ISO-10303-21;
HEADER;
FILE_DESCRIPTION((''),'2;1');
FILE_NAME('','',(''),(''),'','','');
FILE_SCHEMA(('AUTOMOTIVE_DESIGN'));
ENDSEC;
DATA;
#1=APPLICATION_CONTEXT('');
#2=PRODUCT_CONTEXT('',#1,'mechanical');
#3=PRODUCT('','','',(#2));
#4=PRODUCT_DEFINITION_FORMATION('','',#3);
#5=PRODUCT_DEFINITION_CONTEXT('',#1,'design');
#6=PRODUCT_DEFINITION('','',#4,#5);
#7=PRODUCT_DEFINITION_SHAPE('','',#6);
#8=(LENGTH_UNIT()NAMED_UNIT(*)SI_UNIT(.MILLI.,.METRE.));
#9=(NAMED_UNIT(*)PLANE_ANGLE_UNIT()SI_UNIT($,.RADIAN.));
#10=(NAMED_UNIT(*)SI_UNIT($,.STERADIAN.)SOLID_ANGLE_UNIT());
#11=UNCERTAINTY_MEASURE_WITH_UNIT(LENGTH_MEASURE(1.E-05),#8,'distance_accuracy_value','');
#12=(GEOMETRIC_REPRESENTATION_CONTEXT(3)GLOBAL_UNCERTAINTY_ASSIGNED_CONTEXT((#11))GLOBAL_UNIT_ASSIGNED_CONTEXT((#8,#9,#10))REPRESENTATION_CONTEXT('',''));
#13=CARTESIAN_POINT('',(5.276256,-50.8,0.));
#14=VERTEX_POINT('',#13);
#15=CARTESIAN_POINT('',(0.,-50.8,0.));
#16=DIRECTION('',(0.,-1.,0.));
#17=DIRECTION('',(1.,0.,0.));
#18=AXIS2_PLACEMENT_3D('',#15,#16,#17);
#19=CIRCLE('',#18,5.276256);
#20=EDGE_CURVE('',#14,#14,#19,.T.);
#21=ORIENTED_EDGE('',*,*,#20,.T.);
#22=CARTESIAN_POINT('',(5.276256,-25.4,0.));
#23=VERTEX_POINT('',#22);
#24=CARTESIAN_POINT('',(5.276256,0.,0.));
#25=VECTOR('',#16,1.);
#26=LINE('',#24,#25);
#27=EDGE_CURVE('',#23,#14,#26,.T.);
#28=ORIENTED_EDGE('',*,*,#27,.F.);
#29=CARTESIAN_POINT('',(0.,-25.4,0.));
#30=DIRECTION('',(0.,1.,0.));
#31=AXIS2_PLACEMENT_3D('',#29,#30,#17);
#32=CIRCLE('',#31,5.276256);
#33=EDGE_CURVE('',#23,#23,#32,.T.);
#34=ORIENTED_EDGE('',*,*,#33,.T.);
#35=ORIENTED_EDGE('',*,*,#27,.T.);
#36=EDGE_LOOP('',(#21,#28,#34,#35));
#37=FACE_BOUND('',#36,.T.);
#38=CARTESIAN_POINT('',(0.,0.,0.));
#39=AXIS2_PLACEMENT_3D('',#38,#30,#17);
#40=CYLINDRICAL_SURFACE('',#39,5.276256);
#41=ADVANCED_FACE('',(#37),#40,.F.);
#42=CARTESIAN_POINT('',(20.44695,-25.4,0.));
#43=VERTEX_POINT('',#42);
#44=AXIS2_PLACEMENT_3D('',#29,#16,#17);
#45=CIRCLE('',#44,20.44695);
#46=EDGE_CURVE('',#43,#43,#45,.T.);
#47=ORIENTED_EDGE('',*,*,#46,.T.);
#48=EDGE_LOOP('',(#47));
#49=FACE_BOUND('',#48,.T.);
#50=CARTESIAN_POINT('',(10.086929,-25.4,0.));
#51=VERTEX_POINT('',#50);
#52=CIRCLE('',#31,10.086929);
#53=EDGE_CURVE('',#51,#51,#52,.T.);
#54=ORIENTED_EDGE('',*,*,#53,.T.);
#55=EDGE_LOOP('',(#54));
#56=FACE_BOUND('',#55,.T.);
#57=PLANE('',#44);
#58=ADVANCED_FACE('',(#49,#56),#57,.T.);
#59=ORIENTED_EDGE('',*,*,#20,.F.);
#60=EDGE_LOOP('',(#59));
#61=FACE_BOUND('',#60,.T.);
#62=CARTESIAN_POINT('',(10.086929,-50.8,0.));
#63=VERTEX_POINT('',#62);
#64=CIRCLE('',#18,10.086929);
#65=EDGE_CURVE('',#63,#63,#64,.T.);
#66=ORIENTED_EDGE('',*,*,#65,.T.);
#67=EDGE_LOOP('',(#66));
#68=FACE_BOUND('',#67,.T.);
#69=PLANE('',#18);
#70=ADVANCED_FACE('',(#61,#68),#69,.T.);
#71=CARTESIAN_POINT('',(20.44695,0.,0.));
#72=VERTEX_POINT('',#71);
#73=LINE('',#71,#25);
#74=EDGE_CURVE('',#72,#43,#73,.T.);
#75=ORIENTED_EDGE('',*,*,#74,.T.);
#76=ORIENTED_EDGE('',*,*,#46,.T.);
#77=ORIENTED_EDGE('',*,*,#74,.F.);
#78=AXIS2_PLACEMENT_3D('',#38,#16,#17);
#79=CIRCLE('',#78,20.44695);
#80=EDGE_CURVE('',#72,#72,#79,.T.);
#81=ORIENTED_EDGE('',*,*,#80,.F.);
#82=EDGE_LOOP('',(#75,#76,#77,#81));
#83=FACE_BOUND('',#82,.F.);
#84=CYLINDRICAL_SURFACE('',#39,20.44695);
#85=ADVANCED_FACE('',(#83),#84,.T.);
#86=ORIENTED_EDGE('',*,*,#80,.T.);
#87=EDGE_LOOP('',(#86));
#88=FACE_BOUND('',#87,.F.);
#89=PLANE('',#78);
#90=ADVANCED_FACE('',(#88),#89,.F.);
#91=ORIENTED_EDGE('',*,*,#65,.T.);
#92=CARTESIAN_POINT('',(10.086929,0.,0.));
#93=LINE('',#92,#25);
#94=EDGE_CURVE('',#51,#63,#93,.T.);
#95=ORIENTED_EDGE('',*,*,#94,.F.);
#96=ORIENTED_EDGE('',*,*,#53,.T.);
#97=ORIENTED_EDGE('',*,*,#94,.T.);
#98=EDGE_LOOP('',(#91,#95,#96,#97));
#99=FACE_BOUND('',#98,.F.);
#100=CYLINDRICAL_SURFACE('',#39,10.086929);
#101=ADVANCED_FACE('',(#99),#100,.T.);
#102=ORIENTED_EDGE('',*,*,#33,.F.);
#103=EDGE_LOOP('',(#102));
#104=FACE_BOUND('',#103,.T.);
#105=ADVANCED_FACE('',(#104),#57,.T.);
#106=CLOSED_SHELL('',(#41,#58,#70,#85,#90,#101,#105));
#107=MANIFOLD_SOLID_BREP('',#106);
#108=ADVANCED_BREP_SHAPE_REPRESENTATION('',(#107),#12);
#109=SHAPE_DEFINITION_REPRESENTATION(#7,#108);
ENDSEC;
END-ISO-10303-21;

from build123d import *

# Parameters (mm, degrees)
F0_R     = 20.44695
F0_R_2   = 10.086929
F0_R_3   = 5.276256
F1_DEPTH = 25.4
F2_DEPTH = 50.8


with BuildPart() as f1:
    # F0 (on Front) → F1 (new body)
    with BuildSketch(Plane.XZ):
        Circle(F0_R)
        Circle(F0_R_2, mode=Mode.SUBTRACT)
        Circle(F0_R_2)
        Circle(F0_R_3, mode=Mode.SUBTRACT)
        Circle(F0_R_3)
    extrude(amount=F1_DEPTH)

    # F0 (on Front) → F2 (join)
    with BuildSketch(Plane.XZ):
        Circle(F0_R_2)
        Circle(F0_R_3, mode=Mode.SUBTRACT)
    extrude(amount=F2_DEPTH)


solid = f1.part
